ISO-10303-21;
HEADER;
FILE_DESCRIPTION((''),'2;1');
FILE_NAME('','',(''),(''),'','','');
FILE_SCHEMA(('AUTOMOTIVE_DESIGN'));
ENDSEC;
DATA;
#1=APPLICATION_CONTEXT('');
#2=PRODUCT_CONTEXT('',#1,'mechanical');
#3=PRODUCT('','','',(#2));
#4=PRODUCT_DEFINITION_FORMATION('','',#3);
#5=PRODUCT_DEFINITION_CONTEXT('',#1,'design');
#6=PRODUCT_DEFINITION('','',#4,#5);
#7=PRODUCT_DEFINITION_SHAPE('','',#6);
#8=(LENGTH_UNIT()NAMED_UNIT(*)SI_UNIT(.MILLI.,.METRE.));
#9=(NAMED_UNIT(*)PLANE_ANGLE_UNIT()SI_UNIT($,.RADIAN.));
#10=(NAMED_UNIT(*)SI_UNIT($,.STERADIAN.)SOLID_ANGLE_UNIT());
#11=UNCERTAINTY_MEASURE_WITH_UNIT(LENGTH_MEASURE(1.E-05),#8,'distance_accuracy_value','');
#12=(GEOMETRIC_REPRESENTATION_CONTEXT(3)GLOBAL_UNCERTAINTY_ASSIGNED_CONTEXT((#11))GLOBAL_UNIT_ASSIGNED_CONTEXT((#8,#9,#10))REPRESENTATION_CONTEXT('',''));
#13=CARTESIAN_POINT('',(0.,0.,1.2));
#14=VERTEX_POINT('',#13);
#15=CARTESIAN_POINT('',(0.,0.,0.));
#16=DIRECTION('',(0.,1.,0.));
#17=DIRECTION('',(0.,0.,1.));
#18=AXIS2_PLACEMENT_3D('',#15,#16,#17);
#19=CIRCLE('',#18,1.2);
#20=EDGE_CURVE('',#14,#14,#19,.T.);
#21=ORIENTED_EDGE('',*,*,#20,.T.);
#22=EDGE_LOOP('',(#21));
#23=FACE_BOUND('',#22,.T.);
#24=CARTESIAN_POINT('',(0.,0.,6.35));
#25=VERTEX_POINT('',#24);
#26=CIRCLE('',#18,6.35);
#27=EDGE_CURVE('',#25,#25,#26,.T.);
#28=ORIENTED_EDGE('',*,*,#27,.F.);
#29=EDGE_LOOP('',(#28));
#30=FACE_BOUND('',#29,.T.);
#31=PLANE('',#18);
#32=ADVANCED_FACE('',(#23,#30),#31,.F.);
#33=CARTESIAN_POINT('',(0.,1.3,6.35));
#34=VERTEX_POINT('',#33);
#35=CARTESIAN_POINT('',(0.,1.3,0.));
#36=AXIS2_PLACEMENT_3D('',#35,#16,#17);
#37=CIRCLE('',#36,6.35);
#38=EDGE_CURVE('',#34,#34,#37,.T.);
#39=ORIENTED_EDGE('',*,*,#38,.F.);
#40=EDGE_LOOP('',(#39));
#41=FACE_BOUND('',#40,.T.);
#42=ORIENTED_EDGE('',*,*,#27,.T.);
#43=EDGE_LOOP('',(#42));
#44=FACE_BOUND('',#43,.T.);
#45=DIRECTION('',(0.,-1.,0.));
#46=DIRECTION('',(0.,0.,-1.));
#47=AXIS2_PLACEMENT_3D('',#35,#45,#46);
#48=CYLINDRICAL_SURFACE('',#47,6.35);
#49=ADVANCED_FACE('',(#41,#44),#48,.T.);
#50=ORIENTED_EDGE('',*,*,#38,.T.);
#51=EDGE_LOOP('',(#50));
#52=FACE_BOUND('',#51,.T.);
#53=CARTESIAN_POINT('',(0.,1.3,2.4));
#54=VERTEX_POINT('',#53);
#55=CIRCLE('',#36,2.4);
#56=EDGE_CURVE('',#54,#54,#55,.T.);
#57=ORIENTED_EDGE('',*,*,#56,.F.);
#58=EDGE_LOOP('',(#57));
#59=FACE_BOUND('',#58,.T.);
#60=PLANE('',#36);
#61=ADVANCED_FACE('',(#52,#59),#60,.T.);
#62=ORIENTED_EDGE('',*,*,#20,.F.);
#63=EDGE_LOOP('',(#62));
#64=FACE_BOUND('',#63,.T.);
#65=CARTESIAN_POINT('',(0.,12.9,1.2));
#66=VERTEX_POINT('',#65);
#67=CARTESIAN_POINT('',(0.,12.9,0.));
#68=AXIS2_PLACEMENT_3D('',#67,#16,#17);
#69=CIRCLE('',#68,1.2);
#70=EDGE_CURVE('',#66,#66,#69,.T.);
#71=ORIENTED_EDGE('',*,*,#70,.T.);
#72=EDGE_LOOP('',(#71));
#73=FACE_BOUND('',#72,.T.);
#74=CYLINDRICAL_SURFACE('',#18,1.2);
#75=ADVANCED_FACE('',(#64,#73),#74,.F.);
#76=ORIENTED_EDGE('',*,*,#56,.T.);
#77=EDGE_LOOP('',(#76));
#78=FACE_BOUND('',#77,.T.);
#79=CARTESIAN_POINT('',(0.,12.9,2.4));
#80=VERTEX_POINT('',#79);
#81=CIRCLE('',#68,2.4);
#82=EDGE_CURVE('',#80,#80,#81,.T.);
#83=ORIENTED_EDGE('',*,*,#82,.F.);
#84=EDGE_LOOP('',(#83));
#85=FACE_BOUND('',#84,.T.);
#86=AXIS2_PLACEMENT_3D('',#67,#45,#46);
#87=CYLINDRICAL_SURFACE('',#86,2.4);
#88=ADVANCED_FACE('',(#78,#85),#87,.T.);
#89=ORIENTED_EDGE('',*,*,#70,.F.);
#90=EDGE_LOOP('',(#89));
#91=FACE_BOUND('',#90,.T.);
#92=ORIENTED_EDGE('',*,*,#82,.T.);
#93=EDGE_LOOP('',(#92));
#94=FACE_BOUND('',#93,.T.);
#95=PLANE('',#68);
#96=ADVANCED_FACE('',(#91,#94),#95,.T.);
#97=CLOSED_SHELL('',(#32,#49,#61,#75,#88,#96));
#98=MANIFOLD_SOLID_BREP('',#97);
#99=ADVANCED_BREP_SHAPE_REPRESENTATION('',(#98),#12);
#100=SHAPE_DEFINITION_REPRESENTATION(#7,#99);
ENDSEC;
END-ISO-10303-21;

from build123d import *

# Parameters (mm, degrees)
SKETCH1_R           = 6.35
BOSS_EXTRUDE1_DEPTH = 1.3
SKETCH2_R           = 2.4
BOSS_EXTRUDE2_DEPTH = 11.6
SKETCH3_R           = 1.2
CUT_EXTRUDE1_DEPTH  = 16.717983331


with BuildPart() as part:
    # Sketch1 → Boss-Extrude1 (new body)
    with BuildSketch(Plane(origin=(0, 0, 0), x_dir=(1, 0, 0), z_dir=(0, 1, 0))):
        with Locations(Location((0, 0, 0), (0, 0, 270))):
            Circle(SKETCH1_R)
    extrude(amount=BOSS_EXTRUDE1_DEPTH)

    # Sketch2 → Boss-Extrude2 (add)
    with BuildSketch(Plane(origin=(0, 1.3, 0), x_dir=(1, 0, 0), z_dir=(0, 1, 0))):
        with Locations(Location((0, 0, 0), (0, 0, 270))):
            Circle(SKETCH2_R)
    extrude(amount=BOSS_EXTRUDE2_DEPTH)

    # Sketch3 → Cut-Extrude1 (cut, through all)
    with BuildSketch(Plane(origin=(0, 12.9, 0), x_dir=(1, 0, 0), z_dir=(0, 1, 0))):
        with Locations(Location((0, 0, 0), (0, 0, 270))):
            Circle(SKETCH3_R)
    extrude(amount=-CUT_EXTRUDE1_DEPTH, mode=Mode.SUBTRACT)


solid = part.part
